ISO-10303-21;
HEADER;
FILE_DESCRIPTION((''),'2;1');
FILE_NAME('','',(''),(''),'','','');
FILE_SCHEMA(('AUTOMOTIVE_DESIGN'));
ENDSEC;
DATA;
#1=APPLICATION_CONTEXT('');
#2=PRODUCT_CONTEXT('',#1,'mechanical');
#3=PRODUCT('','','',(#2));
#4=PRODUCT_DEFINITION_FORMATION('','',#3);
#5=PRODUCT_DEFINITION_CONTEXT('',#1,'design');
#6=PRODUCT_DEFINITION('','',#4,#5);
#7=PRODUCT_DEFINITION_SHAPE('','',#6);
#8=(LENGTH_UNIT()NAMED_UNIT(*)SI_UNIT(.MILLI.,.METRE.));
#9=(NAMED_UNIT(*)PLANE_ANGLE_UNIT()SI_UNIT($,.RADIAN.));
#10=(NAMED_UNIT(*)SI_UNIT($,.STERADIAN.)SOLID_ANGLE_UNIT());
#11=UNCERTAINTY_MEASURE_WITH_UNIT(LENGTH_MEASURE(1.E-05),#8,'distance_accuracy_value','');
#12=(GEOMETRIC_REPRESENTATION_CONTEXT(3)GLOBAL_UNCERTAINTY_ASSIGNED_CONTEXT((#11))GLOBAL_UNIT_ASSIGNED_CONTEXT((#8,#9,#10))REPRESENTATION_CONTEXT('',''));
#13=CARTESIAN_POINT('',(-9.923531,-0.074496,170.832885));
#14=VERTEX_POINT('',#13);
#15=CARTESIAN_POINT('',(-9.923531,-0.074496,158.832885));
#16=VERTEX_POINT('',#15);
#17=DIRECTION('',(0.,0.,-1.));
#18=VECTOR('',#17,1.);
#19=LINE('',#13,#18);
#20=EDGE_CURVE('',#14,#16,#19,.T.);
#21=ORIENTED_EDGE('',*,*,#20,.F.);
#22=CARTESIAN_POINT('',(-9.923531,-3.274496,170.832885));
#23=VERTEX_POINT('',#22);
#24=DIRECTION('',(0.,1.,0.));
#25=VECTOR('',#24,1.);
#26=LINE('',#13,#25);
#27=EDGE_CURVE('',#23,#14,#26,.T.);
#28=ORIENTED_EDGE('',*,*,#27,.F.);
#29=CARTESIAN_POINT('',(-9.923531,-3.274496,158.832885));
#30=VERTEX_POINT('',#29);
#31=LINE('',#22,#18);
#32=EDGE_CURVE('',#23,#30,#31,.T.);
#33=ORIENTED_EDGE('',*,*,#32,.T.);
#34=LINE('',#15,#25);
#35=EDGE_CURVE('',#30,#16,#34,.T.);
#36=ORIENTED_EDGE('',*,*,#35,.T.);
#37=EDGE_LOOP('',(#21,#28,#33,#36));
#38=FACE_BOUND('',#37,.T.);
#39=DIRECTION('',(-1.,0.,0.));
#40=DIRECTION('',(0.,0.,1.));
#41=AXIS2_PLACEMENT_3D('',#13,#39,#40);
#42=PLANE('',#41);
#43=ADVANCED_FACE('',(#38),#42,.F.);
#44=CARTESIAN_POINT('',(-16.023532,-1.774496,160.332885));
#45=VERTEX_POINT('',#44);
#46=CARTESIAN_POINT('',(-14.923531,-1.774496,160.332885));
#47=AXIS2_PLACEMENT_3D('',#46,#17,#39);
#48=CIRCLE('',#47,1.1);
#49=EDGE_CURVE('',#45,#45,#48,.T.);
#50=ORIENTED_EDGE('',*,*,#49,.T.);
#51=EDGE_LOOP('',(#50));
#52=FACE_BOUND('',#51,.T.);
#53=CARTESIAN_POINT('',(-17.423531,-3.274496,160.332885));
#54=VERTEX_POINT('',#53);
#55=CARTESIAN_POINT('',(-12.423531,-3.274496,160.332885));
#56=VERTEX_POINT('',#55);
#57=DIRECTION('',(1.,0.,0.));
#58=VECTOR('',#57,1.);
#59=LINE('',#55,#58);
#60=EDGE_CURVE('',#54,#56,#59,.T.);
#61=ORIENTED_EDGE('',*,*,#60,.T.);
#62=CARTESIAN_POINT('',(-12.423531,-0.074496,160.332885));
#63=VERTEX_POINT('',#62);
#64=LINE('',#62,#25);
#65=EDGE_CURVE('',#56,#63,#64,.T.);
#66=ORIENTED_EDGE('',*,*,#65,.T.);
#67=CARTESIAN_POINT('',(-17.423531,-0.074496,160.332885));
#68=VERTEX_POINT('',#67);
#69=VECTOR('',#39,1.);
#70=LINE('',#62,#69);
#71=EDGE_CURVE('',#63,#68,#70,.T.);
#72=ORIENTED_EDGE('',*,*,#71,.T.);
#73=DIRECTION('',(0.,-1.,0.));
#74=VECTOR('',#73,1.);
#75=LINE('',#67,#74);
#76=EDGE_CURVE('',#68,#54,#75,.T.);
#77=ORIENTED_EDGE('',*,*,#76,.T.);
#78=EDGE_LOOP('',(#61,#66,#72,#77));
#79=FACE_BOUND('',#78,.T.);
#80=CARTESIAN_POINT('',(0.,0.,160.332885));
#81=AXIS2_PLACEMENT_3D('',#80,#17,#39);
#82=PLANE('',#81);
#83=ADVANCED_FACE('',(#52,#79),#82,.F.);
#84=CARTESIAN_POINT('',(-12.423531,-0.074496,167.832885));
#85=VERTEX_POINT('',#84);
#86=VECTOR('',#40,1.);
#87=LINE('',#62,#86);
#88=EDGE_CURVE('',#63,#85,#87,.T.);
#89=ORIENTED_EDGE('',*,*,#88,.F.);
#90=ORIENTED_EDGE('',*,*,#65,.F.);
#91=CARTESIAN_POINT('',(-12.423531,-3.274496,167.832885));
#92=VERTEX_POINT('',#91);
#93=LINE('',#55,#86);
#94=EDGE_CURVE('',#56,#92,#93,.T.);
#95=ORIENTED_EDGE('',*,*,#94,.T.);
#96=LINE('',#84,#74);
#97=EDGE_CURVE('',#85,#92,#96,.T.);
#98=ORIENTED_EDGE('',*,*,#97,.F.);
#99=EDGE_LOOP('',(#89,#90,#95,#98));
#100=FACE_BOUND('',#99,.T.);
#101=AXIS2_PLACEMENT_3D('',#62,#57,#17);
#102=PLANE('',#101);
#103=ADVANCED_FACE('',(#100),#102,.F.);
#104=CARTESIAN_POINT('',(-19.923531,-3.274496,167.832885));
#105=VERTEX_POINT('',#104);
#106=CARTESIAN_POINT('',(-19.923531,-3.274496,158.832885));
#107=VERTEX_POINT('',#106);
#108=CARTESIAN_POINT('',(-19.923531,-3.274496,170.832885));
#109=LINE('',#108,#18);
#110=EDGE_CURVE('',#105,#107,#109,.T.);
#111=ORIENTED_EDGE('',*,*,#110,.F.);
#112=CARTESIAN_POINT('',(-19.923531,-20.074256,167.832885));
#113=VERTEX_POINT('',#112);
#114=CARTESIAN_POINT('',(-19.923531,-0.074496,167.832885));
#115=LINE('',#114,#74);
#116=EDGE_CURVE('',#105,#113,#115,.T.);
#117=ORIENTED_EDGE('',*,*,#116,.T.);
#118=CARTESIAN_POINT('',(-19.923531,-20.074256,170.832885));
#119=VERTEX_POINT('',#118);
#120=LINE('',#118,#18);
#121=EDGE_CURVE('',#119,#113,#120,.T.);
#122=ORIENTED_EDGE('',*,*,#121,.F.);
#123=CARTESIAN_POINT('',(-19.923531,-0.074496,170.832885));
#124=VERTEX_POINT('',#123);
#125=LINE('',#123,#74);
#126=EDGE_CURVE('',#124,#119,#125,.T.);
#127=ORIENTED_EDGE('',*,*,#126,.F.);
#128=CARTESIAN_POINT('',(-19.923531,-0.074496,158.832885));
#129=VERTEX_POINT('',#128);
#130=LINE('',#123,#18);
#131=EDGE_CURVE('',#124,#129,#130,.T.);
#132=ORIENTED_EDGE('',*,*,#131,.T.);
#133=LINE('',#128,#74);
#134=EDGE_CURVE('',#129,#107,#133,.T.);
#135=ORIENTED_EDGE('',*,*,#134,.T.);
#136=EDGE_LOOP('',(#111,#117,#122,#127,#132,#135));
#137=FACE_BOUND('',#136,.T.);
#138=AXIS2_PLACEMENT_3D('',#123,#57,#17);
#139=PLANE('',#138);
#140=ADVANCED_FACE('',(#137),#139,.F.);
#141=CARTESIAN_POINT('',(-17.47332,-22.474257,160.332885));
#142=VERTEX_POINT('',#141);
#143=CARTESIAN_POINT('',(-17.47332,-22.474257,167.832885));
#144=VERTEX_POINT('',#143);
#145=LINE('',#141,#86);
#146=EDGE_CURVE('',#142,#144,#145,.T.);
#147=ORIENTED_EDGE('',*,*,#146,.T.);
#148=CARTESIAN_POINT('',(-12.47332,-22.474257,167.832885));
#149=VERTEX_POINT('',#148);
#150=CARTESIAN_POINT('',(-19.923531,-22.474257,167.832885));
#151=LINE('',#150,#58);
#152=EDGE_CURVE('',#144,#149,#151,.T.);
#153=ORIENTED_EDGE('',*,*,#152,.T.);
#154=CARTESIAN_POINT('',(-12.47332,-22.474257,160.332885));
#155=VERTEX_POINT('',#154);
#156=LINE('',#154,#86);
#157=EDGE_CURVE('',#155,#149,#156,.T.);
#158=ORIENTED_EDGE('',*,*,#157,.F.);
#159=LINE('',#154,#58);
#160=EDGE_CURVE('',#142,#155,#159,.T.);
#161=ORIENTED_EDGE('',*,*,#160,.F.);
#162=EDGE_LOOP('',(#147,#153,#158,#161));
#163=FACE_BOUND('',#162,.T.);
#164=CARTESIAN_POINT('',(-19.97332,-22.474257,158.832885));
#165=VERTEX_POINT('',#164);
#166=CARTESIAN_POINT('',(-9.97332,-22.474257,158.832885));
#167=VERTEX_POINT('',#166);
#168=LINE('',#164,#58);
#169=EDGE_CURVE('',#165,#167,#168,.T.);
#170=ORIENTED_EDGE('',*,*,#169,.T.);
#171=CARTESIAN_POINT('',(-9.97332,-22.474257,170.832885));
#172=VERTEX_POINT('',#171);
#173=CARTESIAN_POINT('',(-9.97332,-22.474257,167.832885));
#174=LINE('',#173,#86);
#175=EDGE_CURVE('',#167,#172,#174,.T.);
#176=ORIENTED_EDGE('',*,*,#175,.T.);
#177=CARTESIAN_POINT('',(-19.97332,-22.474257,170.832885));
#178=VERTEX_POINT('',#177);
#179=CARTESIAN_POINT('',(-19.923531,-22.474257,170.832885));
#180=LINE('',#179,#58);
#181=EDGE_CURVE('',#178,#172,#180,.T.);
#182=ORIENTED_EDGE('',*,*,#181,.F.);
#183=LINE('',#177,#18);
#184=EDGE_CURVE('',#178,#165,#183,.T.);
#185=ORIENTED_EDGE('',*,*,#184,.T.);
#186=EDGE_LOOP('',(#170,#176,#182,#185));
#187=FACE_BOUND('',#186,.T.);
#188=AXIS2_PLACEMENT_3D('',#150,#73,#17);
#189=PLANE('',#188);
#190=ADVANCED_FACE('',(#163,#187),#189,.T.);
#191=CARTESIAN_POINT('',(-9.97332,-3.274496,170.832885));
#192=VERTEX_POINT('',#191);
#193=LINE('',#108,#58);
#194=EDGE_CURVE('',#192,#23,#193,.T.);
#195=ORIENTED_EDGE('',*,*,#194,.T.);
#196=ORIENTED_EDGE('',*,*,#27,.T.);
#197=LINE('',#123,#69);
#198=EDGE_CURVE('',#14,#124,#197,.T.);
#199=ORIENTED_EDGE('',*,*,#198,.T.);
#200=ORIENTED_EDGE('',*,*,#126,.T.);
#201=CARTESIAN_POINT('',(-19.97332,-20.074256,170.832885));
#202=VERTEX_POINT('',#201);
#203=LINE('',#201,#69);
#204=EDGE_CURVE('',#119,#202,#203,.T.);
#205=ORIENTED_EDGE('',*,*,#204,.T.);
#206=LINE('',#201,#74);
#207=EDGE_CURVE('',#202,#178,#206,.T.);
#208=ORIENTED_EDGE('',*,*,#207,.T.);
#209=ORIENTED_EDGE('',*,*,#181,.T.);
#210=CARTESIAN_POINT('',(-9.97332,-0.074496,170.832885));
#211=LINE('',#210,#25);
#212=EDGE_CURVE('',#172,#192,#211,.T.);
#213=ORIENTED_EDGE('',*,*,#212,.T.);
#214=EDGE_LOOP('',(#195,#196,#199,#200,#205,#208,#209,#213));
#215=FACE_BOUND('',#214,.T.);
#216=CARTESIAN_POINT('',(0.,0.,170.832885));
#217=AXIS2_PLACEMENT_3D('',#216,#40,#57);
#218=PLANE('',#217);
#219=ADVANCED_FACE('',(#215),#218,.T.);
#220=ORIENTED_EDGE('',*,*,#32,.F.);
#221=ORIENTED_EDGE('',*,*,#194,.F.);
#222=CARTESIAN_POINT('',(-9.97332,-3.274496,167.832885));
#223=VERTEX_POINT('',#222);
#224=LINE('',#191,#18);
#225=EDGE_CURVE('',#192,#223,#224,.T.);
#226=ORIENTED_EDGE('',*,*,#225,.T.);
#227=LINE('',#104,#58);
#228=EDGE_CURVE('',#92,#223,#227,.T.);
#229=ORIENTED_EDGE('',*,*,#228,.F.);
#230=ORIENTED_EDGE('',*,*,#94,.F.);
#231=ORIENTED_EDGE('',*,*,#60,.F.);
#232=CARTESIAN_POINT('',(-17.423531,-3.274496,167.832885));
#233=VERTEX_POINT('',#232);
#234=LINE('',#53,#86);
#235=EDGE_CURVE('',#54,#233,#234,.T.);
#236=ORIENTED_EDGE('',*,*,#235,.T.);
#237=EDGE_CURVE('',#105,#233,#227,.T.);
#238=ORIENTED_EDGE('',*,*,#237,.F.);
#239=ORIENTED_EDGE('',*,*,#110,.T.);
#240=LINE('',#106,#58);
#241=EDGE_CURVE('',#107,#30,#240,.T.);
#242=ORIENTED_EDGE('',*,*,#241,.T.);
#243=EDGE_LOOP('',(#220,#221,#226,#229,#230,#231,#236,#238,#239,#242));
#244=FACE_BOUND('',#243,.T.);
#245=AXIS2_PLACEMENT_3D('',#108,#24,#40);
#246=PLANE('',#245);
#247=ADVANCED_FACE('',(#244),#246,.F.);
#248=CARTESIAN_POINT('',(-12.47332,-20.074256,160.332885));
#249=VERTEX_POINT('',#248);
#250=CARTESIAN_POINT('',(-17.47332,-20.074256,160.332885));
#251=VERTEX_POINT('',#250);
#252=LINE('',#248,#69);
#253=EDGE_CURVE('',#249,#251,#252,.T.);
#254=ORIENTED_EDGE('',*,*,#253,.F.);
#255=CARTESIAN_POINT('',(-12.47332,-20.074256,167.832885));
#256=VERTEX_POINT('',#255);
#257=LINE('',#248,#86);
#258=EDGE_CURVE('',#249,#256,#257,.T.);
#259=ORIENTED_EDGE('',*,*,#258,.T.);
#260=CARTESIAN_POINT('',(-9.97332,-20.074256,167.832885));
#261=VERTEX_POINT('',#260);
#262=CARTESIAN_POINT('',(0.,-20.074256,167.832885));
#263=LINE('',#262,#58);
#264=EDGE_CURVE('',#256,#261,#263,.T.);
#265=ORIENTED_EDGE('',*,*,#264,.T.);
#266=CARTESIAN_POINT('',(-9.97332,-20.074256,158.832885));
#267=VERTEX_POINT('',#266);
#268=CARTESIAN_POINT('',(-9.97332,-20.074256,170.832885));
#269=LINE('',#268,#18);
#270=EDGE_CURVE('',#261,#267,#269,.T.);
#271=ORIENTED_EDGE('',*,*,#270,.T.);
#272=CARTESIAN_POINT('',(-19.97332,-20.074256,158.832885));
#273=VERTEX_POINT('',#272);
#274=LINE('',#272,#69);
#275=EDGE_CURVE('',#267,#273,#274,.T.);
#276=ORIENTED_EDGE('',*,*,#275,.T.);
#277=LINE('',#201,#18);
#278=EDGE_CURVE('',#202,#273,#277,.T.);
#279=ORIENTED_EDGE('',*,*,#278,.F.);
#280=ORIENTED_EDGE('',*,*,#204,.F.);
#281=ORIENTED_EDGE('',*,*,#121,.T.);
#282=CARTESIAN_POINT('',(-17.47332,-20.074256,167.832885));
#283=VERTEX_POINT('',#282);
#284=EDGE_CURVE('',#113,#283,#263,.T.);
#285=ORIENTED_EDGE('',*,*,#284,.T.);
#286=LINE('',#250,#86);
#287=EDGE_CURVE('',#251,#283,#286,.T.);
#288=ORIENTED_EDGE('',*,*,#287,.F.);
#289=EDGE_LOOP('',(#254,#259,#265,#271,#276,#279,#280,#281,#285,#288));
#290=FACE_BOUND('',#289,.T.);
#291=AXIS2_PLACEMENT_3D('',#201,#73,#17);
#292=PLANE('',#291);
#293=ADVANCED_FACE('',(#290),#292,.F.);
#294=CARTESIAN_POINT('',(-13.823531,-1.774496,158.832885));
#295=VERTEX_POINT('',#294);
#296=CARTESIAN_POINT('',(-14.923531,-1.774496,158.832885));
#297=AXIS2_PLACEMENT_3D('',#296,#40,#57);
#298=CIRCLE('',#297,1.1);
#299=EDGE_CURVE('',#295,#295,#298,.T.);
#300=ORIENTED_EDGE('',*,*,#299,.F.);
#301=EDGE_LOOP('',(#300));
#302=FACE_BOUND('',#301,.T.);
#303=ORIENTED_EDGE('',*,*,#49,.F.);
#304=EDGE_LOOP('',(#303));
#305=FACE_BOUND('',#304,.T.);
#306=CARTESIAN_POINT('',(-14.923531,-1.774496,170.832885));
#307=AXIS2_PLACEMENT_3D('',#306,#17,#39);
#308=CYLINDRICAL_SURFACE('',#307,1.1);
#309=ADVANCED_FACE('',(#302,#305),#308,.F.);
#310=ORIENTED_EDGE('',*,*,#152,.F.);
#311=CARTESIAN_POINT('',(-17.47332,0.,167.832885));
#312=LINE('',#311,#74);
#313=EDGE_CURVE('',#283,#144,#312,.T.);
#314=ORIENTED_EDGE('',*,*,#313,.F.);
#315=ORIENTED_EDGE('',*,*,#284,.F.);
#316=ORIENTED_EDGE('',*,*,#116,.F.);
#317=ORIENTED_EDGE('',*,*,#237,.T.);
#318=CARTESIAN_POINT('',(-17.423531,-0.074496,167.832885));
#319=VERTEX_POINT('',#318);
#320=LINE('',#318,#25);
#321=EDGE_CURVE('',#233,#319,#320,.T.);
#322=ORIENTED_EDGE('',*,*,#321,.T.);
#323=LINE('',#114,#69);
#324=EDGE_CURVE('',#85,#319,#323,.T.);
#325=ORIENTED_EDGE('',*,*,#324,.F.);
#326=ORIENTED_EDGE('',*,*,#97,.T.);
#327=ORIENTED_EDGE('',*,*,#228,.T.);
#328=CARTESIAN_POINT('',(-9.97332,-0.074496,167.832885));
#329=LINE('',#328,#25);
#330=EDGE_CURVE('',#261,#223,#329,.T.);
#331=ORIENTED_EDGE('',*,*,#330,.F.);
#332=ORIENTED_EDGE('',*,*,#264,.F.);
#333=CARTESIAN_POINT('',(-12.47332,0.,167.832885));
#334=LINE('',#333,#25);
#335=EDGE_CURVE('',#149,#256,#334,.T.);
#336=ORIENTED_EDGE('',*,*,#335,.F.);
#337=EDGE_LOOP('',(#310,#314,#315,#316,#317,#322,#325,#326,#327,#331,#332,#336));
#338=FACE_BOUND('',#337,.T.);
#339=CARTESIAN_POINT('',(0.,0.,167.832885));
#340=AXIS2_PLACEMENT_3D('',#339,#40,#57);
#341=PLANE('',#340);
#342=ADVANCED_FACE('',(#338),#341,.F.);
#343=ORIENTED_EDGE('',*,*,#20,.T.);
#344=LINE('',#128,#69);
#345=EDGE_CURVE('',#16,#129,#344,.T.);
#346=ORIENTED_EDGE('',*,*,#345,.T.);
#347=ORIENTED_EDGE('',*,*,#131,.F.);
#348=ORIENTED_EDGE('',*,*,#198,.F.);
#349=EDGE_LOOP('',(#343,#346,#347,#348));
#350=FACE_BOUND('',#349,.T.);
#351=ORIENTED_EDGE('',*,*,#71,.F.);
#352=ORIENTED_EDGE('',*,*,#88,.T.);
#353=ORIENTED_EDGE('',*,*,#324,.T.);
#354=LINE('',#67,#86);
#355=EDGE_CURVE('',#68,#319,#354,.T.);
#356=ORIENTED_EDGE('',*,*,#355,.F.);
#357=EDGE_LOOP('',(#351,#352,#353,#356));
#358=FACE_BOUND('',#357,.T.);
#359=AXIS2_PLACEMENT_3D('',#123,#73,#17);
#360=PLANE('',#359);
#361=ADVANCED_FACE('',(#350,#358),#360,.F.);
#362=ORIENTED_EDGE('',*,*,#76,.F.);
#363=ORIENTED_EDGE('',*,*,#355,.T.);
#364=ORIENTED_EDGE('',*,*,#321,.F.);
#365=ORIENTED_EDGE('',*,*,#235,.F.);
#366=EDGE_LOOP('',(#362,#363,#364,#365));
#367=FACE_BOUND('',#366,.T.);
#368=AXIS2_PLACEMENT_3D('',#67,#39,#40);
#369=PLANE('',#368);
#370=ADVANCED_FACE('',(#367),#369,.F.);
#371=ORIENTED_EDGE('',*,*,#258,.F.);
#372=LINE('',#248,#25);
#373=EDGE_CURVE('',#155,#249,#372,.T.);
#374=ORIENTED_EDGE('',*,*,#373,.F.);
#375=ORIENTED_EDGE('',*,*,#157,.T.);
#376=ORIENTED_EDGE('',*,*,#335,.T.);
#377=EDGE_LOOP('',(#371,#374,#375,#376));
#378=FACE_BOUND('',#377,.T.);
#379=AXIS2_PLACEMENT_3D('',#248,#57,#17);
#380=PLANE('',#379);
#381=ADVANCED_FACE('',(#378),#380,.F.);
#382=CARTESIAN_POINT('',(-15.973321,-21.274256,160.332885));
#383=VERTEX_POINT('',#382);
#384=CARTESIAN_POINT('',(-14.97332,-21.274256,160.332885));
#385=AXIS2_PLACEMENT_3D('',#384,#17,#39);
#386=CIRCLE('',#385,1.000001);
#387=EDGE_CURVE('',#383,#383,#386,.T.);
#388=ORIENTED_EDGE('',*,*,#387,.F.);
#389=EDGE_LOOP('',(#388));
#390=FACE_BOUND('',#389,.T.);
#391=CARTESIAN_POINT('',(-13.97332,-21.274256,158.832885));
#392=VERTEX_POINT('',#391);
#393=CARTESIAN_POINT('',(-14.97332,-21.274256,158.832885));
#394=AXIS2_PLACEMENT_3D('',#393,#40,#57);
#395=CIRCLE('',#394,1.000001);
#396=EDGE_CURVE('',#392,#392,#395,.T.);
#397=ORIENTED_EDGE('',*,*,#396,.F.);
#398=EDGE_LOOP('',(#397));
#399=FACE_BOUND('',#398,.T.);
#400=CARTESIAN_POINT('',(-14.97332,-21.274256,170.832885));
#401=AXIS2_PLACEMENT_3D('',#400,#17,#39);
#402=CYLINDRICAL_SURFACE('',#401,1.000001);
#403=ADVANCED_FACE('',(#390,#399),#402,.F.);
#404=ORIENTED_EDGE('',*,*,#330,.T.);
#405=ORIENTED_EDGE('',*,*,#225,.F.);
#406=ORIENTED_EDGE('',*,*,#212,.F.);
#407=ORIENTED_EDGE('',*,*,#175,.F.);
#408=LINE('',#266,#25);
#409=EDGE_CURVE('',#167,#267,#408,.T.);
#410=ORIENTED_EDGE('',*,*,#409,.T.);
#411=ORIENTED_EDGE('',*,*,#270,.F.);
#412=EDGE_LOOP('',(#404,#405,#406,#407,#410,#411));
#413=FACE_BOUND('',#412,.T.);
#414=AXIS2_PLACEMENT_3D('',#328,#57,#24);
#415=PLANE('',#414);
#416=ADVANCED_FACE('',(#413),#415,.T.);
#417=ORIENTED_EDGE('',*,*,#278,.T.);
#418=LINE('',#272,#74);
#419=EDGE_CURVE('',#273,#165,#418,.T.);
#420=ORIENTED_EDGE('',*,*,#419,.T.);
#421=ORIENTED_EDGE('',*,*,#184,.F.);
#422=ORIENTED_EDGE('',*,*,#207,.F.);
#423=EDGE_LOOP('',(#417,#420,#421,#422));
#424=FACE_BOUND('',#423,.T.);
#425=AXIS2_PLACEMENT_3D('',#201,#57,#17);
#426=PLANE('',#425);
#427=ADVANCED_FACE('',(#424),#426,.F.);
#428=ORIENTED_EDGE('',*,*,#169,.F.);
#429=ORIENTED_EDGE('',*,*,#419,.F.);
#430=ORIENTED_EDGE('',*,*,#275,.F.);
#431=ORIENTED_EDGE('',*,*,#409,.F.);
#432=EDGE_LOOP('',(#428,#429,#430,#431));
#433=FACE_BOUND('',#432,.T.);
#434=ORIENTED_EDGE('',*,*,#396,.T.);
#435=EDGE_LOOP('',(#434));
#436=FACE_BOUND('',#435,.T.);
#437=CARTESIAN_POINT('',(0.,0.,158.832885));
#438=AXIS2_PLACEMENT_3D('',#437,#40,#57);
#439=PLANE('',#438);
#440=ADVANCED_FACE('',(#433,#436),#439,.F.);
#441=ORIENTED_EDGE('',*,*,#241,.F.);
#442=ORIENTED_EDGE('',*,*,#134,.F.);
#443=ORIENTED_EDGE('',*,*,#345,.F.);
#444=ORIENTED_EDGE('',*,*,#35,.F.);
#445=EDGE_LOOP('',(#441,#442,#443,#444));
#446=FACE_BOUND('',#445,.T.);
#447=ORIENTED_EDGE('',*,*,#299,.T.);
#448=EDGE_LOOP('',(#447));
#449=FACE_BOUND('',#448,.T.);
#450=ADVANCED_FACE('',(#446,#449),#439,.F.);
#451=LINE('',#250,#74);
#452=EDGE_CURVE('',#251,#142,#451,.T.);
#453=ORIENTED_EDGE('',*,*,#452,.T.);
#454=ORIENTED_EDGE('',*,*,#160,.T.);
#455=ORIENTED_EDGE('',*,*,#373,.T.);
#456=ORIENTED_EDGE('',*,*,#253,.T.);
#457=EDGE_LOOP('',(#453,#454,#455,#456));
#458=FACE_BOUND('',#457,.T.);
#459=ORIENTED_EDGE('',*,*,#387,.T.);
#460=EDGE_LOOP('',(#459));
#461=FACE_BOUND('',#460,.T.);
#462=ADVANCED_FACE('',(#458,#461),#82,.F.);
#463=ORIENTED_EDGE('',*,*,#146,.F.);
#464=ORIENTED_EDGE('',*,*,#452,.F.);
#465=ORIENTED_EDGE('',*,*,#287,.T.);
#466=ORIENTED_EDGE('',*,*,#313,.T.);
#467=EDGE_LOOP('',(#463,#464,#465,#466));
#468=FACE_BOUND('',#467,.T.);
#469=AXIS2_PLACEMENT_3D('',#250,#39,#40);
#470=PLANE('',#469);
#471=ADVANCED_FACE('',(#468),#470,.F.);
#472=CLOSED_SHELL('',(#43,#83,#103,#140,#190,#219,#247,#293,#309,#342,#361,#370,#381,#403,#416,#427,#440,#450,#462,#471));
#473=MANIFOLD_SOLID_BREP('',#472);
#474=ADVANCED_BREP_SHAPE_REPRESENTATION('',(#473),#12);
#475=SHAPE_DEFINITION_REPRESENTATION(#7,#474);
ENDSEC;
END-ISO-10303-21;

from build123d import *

# Parameters (mm, degrees)
SZKIC2_W                      = 10
SZKIC2_H                      = 3.2
SZKIC2_R                      = 1.10000034
DODANIE_WYCI_GNI_CIE1_DEPTH   = 12
SZKIC2_H_2                    = 2.4000007
SZKIC2_R_2                    = 1.00000054
DODANIE_WYCI_GNI_CIE1_2_DEPTH = 12
SZKIC3_W                      = 5
SZKIC3_H                      = 3.2
SZKIC3_H_2                    = 2.4000007
WYTNIJ_WYCI_GNI_CIE1_DEPTH    = 10.5
SZKIC4_W                      = 9.95021092
SZKIC4_H                      = 22.39976104
DODANIE_WYCI_GNI_CIE2_DEPTH   = 3


with BuildPart() as part:
    # Szkic2 → Dodanie-wyciągnięcie1 (new body)
    with BuildSketch(Plane.XY.offset(158.832884642)):
        with Locations((-14.923531216, -1.67449554)):
            Rectangle(SZKIC2_W, SZKIC2_H)
        with Locations((-14.923531216, -1.77449554)):
            Circle(SZKIC2_R, mode=Mode.SUBTRACT)
    extrude(amount=DODANIE_WYCI_GNI_CIE1_DEPTH)


with BuildPart() as body_2:
    # Szkic2 → Dodanie-wyci_gni_cie1 2 (new body)
    with BuildSketch(Plane.XY.offset(158.832884642)):
        with Locations((-14.973320296, -21.27425623)):
            Rectangle(SZKIC2_W, SZKIC2_H_2)
        with Locations((-14.973320296, -21.27425588)):
            Circle(SZKIC2_R_2, mode=Mode.SUBTRACT)
    extrude(amount=DODANIE_WYCI_GNI_CIE1_2_DEPTH)


with BuildPart() as wytnij_wyci_gni_cie1_tool:
    # Szkic3 → Wytnij-wyciągnięcie1 (new body)
    with BuildSketch(Plane.XY.offset(170.832884642)):
        with Locations((-14.923531216, -1.67449554)):
            Rectangle(SZKIC3_W, SZKIC3_H)
        with Locations((-14.973320296, -21.27425623)):
            Rectangle(SZKIC3_W, SZKIC3_H_2)
    extrude(amount=-WYTNIJ_WYCI_GNI_CIE1_DEPTH)


with BuildPart() as part_1:
    add(part.part)

    # Wytnij-wyciągnięcie1: cut by wytnij_wyci_gni_cie1_tool
    add(wytnij_wyci_gni_cie1_tool.part, mode=Mode.SUBTRACT)



with BuildPart() as body_2_1:
    add(body_2.part)

    # Wytnij-wyciągnięcie1: cut by wytnij_wyci_gni_cie1_tool
    add(wytnij_wyci_gni_cie1_tool.part, mode=Mode.SUBTRACT)


with BuildPart() as part_2:
    add(part_1.part)

    add(body_2_1.part)  # Dodanie-wyciągnięcie2 merges body 2
    # Szkic4 → Dodanie-wyciągnięcie2 (add)
    with BuildSketch(Plane.XY.offset(170.832884642)):
        with Locations((-14.948425756, -11.27437606)):
            Rectangle(SZKIC4_W, SZKIC4_H)
    extrude(amount=-DODANIE_WYCI_GNI_CIE2_DEPTH)


solid = part_2.part
